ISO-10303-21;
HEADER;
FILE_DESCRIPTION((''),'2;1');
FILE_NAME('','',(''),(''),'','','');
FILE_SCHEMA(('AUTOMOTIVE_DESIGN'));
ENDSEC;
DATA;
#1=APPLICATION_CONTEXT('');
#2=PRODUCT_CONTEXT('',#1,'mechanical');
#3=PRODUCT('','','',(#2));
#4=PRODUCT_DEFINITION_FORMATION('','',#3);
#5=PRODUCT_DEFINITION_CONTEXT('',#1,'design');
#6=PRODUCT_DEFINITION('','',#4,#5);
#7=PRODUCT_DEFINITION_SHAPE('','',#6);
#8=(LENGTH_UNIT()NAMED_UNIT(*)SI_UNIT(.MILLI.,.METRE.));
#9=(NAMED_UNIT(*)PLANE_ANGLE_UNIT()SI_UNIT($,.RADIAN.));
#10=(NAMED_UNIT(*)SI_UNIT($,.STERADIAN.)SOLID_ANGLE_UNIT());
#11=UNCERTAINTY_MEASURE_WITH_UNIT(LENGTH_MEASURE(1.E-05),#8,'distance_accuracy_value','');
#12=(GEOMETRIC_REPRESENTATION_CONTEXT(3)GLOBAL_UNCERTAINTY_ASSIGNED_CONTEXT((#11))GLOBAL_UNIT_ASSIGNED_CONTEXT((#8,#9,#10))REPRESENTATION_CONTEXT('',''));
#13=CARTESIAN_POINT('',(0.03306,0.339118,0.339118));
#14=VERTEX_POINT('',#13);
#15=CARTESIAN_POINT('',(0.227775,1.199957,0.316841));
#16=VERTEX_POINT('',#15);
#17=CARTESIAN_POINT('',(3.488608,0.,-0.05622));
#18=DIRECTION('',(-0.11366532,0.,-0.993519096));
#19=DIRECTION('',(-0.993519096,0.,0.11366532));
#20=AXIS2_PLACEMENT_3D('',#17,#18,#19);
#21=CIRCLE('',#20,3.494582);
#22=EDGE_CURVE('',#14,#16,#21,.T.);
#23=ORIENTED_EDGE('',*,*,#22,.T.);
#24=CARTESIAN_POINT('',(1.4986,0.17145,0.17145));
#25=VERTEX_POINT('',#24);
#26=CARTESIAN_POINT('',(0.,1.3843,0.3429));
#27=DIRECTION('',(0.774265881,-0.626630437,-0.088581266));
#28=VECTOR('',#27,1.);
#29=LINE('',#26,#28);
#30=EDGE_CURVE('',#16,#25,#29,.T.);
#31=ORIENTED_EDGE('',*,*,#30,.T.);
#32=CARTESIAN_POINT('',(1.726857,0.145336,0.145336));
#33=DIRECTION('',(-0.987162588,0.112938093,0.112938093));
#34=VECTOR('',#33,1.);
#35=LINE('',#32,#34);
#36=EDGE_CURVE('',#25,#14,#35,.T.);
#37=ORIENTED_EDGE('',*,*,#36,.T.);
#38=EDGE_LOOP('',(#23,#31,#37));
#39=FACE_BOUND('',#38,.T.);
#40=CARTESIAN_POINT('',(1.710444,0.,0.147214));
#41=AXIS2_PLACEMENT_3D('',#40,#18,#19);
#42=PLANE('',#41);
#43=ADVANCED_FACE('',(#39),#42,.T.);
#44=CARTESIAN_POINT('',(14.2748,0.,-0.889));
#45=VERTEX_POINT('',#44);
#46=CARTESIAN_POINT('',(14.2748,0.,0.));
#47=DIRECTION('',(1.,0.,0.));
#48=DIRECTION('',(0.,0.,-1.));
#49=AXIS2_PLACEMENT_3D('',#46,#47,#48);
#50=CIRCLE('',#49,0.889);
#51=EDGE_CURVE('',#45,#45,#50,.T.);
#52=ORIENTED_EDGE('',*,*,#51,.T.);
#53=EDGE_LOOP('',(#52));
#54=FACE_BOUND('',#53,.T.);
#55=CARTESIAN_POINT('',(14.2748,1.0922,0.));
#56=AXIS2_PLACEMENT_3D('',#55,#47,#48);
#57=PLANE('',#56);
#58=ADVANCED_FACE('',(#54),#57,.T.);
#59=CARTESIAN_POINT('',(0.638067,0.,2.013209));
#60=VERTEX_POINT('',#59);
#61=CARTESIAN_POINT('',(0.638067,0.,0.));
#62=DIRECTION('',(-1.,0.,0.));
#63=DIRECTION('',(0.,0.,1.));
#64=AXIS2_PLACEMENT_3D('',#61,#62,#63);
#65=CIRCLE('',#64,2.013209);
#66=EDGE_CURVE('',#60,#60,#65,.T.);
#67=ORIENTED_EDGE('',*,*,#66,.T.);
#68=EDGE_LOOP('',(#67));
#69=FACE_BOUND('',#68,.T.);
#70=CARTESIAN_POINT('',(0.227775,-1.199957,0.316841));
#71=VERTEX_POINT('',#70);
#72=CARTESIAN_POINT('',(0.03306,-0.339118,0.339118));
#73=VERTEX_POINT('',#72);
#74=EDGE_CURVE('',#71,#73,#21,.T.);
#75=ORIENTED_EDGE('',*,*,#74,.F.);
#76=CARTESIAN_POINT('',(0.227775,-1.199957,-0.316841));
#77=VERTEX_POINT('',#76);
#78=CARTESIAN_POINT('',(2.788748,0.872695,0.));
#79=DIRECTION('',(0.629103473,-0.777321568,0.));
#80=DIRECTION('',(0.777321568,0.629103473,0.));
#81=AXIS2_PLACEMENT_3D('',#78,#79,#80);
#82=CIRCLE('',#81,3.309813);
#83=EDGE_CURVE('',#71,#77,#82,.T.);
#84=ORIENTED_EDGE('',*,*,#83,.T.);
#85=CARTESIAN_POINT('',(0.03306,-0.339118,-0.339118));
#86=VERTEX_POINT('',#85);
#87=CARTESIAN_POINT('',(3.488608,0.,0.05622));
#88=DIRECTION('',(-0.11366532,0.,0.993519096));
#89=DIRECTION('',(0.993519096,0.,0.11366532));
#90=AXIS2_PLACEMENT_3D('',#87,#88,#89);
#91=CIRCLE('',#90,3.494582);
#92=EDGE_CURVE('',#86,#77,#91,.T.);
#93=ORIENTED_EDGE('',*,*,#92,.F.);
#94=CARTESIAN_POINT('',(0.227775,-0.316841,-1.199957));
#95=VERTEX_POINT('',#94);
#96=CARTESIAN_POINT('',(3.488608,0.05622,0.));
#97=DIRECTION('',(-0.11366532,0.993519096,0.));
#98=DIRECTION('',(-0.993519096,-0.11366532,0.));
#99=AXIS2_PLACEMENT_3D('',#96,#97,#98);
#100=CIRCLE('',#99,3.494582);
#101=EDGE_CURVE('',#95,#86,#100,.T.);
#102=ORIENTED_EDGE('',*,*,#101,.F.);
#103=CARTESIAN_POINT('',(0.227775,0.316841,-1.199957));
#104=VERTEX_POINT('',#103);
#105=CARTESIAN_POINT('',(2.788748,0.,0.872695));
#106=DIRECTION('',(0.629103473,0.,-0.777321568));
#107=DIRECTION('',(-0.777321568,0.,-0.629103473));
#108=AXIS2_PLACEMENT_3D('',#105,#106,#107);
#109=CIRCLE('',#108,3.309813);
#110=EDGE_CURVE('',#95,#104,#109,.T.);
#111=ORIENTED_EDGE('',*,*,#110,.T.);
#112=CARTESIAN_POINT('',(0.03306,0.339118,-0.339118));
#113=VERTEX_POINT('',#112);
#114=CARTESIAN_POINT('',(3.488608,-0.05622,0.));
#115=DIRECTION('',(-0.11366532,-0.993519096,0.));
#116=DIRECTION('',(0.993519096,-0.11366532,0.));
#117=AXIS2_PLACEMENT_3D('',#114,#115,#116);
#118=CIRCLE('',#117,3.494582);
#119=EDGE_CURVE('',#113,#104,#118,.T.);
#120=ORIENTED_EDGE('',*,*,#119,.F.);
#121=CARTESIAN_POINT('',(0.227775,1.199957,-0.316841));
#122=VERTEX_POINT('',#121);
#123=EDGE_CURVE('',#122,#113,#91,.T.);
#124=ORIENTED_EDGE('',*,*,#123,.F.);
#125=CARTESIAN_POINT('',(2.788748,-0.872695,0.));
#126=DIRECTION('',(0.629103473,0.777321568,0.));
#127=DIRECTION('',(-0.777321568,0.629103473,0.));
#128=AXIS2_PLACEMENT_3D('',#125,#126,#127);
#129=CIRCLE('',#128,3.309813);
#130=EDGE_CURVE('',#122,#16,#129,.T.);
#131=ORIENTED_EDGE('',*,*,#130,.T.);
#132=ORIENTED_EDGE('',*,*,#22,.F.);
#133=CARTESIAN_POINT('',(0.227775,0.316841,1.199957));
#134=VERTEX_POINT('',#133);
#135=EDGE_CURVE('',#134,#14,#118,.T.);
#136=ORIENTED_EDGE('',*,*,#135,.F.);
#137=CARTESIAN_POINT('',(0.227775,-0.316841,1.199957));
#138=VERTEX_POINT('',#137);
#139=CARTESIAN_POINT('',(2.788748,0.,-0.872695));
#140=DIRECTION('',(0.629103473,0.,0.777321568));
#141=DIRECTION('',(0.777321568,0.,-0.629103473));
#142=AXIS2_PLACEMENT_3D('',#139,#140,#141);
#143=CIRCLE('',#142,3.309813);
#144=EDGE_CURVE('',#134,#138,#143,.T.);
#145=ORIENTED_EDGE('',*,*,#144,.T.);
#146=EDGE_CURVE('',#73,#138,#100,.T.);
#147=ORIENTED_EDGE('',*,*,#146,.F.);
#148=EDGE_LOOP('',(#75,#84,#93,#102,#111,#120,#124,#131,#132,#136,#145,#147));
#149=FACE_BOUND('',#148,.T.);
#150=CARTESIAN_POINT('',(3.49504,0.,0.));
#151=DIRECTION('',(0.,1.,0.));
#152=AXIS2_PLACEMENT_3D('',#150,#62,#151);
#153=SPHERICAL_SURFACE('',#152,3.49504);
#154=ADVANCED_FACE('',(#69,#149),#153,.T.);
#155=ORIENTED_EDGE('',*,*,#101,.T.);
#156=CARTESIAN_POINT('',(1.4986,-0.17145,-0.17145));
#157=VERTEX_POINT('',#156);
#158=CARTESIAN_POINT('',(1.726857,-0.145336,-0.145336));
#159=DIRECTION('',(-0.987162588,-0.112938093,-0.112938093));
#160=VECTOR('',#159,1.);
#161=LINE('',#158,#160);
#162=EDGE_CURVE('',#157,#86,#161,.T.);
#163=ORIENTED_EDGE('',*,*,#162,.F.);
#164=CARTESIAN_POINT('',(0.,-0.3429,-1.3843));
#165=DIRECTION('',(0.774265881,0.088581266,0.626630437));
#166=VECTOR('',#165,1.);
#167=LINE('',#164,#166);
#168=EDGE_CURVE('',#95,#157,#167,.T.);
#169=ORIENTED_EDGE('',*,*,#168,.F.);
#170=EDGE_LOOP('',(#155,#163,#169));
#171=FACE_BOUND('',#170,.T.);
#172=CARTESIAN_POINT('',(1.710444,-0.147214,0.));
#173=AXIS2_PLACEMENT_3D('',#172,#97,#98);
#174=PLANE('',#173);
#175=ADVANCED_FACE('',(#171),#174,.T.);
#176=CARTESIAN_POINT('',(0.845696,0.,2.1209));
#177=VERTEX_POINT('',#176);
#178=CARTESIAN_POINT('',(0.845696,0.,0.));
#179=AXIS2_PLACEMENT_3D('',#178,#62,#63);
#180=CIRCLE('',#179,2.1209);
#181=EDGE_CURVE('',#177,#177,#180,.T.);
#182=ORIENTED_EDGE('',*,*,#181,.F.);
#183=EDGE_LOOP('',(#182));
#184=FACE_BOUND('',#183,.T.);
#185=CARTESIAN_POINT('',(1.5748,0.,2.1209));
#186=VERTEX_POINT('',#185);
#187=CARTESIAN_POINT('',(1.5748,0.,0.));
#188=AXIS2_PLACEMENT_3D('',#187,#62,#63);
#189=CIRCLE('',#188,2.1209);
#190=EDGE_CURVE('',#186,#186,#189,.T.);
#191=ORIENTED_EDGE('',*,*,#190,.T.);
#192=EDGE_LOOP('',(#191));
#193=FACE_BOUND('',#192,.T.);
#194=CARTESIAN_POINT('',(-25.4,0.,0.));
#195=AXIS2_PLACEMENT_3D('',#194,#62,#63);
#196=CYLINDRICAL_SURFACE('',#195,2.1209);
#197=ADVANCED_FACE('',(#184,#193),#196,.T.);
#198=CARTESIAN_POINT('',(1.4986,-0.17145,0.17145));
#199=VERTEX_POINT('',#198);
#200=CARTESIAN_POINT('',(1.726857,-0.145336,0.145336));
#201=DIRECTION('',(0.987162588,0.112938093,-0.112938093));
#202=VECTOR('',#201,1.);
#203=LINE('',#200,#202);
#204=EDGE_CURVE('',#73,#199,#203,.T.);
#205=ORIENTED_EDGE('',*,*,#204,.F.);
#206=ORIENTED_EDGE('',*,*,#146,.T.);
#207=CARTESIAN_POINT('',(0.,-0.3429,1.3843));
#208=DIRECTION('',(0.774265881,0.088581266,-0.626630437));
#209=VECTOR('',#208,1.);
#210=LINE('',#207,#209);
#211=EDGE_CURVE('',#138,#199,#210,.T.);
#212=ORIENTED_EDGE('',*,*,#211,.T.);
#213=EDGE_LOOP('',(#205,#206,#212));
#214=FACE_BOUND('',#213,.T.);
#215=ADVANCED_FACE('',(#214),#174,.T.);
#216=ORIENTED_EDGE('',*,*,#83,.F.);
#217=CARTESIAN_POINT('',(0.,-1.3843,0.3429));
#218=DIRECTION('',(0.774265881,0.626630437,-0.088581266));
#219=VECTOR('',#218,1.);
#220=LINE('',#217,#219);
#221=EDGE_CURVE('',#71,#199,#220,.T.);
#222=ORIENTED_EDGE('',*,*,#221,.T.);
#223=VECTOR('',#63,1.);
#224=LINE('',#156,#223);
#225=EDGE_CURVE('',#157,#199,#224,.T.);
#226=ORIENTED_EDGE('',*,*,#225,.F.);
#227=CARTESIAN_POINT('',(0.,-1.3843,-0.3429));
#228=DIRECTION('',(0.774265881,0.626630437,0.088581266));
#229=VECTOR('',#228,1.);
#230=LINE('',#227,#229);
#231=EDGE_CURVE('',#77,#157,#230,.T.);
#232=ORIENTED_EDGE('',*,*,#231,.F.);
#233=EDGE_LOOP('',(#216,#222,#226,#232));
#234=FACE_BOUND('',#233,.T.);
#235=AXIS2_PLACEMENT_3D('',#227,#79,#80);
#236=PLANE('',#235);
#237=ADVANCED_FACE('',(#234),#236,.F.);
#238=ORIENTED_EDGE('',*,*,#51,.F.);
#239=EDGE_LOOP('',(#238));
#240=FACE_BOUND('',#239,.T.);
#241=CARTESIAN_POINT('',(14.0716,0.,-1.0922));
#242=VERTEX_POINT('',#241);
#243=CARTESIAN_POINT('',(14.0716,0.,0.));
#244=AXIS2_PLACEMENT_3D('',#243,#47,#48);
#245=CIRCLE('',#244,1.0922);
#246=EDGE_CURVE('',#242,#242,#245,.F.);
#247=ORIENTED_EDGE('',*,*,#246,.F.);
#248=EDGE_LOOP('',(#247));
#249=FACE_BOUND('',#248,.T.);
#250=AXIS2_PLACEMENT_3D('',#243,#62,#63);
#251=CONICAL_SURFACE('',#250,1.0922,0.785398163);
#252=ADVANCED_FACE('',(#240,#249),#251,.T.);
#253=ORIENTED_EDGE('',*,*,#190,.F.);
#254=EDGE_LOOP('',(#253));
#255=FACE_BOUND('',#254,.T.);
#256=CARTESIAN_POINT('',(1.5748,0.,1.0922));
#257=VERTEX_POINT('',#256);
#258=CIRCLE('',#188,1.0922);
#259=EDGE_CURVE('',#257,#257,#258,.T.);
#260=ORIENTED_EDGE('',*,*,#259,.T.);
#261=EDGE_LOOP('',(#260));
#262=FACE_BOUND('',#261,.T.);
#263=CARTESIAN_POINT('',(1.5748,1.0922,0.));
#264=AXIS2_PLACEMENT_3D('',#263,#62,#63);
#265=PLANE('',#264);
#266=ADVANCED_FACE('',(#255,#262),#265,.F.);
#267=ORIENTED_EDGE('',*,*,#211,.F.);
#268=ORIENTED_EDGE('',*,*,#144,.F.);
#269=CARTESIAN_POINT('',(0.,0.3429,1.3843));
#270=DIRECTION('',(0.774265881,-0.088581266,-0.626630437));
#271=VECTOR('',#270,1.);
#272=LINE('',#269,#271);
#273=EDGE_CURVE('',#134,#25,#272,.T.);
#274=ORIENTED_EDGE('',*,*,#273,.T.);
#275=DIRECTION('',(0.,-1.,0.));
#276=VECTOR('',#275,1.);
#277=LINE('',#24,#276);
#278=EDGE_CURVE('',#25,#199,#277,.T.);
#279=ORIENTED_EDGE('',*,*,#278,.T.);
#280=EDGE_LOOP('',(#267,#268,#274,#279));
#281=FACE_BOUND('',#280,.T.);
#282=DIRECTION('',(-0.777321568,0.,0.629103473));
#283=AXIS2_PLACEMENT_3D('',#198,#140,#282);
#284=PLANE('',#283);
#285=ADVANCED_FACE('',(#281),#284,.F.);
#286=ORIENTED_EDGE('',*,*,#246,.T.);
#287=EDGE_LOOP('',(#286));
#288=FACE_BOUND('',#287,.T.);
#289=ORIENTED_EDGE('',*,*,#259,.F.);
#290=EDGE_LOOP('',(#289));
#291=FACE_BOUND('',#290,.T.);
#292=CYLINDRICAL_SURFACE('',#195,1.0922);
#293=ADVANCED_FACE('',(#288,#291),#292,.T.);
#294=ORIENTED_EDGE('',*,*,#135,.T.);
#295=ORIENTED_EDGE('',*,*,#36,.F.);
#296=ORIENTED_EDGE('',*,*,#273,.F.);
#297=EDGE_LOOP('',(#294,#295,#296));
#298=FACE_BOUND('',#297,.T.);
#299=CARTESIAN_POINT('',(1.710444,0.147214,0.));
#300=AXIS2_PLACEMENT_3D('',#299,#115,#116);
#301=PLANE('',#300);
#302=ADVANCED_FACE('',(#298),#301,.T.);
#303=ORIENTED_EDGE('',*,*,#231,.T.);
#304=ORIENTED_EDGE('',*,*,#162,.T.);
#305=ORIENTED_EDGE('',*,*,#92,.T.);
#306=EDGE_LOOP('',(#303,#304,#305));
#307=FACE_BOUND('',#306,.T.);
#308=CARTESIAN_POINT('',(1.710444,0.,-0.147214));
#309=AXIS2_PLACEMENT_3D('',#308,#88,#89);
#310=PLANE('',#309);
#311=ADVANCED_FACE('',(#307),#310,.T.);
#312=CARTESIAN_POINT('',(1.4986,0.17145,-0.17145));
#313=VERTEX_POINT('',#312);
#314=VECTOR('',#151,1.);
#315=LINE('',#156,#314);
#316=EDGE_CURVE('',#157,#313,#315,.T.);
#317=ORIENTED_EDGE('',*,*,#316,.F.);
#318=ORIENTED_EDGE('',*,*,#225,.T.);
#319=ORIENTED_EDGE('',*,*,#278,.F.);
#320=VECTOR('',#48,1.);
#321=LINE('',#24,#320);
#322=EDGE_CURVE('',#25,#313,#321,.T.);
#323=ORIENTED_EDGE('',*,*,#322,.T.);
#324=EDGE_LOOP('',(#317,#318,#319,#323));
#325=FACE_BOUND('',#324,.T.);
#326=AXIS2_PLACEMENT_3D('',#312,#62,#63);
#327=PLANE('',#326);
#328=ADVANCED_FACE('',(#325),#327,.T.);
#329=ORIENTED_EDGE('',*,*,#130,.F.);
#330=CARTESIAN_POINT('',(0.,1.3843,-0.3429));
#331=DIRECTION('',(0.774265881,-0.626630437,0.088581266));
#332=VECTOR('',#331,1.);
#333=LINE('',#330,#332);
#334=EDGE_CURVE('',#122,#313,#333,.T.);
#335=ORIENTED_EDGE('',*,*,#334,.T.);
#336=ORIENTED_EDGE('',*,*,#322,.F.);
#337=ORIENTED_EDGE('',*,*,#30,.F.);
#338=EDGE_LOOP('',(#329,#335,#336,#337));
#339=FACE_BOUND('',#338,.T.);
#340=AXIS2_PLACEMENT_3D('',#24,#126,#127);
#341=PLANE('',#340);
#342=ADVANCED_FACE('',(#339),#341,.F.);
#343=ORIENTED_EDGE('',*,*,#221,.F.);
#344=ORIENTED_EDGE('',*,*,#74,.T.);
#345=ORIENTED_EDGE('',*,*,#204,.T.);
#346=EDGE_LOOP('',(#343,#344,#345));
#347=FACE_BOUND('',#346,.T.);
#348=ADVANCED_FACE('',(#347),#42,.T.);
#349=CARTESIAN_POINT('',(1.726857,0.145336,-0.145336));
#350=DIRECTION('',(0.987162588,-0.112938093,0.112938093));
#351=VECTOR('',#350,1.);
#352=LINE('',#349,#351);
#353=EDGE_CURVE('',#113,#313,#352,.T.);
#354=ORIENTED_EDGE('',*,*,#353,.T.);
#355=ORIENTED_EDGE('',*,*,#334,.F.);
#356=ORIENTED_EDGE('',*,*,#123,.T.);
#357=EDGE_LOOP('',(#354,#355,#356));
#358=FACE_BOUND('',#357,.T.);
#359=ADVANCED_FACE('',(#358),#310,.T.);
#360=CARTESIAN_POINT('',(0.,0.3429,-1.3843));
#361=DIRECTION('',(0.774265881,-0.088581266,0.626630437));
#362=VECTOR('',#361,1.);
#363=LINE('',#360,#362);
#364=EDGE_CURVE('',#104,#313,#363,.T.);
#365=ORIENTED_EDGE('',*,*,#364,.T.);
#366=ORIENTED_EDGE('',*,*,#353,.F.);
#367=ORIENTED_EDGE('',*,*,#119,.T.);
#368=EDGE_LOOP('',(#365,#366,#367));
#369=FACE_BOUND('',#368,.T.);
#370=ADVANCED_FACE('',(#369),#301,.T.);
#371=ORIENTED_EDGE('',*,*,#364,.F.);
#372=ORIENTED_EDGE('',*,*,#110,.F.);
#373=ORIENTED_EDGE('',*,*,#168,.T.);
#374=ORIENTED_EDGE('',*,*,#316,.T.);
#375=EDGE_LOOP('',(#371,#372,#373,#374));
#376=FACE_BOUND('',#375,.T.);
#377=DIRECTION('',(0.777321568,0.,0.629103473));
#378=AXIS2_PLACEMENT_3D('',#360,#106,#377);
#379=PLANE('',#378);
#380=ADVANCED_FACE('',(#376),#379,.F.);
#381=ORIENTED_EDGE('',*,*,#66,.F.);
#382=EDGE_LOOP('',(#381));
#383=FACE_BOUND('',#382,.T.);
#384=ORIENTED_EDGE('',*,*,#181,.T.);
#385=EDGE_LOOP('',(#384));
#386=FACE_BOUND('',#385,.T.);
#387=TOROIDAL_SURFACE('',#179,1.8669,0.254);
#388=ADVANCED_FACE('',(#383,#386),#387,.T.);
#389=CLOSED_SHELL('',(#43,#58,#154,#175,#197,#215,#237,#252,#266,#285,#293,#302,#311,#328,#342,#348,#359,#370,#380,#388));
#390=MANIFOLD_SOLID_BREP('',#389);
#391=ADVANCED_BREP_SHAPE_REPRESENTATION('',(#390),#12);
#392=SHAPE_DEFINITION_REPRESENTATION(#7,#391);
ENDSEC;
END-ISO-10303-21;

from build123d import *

# Parameters (mm, degrees)
CIRPATTERN1_COUNT = 2
CIRPATTERN1_ANGLE = 90
CHAMFER1_SIZE     = 0.2032


with BuildPart() as part:
    # BodySke → Base-Revolve (revolve)
    with BuildSketch(Plane.XY, mode=Mode.PRIVATE) as base_revolve_sk:
        with BuildLine():
            Line((1.5748, 1.0922), (1.5748, 2.1209))
            Line((1.5748, 2.1209), (0.845695803, 2.1209))
            ThreePointArc((0.845695803, 2.1209), (0.728748015, 2.09237553), (0.638066948, 2.013208777))
            ThreePointArc((0.638066948, 2.013208777), (0.163333253, 1.05595206), (0, 0))
            Line((0, 0), (14.2748, 0))
            Line((14.2748, 0), (14.2748, 1.0922))
            Line((14.2748, 1.0922), (1.5748, 1.0922))
        make_face()
    revolve(base_revolve_sk.sketch.rotate(Axis((-25.4, 0, 0), (1, 0, 0)), 90), axis=Axis((-25.4, 0, 0), (1, 0, 0)))

    # Sketch3 → Cut-Loft1 section 0
    with BuildSketch(Plane(origin=(0, 0, 0), x_dir=(0, 0, -1), z_dir=(1, 0, 0))):
        with BuildLine():
            Line((0.3429, -1.3843), (-0.3429, -1.3843))
            Line((-0.3429, -1.3843), (-0.3429, 1.3843))
            Line((-0.3429, 1.3843), (0.3429, 1.3843))
            Line((0.3429, 1.3843), (0.3429, -1.3843))
        make_face()
    # Sketch4 → Cut-Loft1 section 1
    with BuildSketch(Plane(origin=(1.4986, 0, 0), x_dir=(0, 0, -1), z_dir=(1, 0, 0))):
        with BuildLine():
            Line((0.17145, -0.17145), (-0.17145, -0.17145))
            Line((-0.17145, -0.17145), (-0.17145, 0.17145))
            Line((-0.17145, 0.17145), (0.17145, 0.17145))
            Line((0.17145, 0.17145), (0.17145, -0.17145))
        make_face()
    cut_loft1 = loft(mode=Mode.SUBTRACT)

    # CirPattern1: Cut-Loft1 ×2 about axis
    cirpattern1_axis = Axis((0, 0, 0), (1, 0, 0))
    for i in range(1, CIRPATTERN1_COUNT):
        add(cut_loft1.rotate(cirpattern1_axis, i * CIRPATTERN1_ANGLE / (CIRPATTERN1_COUNT - 1)), mode=Mode.SUBTRACT)

    # Chamfer1
    chamfer1_edges = [part.edges().sort_by_distance(p)[0] for p in [
        (14.2748, 0, -1.0922),
    ]]
    chamfer(chamfer1_edges, length=CHAMFER1_SIZE)


solid = part.part
